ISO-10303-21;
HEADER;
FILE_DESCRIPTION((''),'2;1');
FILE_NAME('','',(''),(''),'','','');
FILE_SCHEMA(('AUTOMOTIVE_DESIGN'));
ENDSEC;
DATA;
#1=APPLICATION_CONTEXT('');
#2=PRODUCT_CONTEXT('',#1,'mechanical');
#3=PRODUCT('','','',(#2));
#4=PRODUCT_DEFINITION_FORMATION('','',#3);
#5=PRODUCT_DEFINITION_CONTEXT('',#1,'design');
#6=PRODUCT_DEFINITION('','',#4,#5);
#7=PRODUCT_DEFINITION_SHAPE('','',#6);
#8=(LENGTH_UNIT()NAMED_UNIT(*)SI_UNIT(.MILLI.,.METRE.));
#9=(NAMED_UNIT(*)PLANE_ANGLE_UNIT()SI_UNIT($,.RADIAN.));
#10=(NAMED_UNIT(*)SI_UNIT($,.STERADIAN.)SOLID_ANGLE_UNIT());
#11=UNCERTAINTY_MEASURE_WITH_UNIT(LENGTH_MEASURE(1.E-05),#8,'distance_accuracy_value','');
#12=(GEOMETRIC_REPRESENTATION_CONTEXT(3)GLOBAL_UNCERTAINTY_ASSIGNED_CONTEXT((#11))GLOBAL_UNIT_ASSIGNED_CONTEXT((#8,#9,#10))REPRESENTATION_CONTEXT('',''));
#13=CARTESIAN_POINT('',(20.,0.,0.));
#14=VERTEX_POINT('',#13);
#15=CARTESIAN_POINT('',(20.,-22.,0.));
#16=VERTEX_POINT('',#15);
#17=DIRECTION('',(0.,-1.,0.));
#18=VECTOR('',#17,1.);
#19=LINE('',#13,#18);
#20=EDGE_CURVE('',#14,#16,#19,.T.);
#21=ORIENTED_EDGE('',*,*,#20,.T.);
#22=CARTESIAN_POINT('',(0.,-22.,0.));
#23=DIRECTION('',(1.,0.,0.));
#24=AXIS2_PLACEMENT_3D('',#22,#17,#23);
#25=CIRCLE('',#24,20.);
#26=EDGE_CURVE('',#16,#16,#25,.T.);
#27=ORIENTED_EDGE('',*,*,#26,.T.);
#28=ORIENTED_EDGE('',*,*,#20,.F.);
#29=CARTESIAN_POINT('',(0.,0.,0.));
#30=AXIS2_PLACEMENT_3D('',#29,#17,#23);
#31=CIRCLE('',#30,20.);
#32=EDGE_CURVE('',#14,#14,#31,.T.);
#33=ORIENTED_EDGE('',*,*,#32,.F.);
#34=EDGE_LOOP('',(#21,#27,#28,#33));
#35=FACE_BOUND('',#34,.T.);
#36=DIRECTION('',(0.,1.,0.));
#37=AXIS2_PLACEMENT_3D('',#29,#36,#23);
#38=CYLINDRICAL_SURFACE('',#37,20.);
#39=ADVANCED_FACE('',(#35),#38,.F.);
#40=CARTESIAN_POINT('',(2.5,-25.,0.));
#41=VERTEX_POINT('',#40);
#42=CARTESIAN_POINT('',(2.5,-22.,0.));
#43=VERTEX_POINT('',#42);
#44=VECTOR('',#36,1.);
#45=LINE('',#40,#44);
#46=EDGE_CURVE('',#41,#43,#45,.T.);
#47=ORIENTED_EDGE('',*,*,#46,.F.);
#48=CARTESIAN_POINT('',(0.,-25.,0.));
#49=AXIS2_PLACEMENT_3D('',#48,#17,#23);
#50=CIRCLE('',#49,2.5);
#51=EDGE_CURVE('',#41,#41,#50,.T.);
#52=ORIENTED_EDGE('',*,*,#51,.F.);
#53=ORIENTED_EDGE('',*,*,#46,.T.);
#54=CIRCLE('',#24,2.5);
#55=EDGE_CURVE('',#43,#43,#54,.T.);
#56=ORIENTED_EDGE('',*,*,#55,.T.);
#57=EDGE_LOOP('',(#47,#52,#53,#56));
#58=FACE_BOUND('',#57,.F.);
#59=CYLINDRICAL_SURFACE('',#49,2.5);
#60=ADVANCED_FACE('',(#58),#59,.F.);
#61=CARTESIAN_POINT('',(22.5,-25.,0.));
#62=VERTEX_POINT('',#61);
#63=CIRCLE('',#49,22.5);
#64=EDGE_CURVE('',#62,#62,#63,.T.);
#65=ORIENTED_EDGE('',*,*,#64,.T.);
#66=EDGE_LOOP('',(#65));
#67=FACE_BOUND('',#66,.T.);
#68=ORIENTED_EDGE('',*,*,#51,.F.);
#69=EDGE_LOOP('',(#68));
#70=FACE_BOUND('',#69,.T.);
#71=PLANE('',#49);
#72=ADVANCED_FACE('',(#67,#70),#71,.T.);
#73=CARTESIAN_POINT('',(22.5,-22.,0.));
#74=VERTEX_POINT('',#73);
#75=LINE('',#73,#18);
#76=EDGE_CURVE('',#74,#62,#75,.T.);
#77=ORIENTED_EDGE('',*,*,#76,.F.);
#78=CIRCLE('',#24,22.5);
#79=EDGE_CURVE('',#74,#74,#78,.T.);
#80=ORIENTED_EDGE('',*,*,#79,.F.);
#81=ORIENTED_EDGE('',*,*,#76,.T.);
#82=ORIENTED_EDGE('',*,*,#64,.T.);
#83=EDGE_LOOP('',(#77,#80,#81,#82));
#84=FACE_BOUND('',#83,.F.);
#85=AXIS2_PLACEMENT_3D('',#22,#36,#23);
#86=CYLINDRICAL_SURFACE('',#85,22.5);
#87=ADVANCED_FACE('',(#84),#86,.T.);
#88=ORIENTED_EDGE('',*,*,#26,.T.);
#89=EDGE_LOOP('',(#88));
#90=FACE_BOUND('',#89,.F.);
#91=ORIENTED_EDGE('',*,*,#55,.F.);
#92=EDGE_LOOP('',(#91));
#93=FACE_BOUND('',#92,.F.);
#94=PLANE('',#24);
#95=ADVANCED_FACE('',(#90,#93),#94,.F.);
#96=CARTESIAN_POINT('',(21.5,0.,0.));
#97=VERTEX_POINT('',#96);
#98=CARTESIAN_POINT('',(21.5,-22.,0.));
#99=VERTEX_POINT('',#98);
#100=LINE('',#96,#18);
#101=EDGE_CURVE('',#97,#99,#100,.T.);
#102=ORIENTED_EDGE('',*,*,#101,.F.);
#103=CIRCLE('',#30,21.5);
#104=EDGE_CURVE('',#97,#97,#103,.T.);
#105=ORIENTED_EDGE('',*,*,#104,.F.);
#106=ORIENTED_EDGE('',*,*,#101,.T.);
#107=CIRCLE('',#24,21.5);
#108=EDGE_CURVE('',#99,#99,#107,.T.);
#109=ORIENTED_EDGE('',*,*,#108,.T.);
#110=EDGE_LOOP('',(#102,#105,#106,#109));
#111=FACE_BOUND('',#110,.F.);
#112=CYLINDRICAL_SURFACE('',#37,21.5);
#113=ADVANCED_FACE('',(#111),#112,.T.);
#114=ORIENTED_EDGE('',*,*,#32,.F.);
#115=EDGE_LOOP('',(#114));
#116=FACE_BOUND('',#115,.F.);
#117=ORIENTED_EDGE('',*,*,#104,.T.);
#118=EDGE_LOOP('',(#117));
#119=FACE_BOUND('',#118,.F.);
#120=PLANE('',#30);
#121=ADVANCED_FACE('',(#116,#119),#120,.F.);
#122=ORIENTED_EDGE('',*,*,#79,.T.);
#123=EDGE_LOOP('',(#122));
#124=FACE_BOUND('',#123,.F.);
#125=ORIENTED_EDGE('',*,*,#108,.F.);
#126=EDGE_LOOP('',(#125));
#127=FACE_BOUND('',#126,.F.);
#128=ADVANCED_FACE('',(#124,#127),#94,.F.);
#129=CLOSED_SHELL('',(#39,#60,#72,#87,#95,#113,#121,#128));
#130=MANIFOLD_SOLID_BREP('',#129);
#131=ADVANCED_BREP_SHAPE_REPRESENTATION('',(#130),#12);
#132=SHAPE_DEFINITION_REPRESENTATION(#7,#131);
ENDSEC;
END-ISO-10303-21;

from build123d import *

# Parameters (mm, degrees)
F0_R     = 21.5
F0_R_2   = 20
F1_DEPTH = 22
F2_R     = 22.5
F3_DEPTH = 3
F4_R     = 2.5
F5_DEPTH = 3


with BuildPart() as f1:
    # F0 (on Front) → F1 (new body)
    with BuildSketch(Plane.XZ):
        Circle(F0_R)
        Circle(F0_R_2, mode=Mode.SUBTRACT)
    extrude(amount=F1_DEPTH)

    # F2 (on face) → F3 (join)
    with BuildSketch(Plane.XZ.offset(22)):
        Circle(F2_R)
    extrude(amount=F3_DEPTH)

    # F4 (on face) → F5 (cut)
    with BuildSketch(Plane.XZ.offset(25)):
        Circle(F4_R)
    extrude(amount=-F5_DEPTH, mode=Mode.SUBTRACT)


solid = f1.part
